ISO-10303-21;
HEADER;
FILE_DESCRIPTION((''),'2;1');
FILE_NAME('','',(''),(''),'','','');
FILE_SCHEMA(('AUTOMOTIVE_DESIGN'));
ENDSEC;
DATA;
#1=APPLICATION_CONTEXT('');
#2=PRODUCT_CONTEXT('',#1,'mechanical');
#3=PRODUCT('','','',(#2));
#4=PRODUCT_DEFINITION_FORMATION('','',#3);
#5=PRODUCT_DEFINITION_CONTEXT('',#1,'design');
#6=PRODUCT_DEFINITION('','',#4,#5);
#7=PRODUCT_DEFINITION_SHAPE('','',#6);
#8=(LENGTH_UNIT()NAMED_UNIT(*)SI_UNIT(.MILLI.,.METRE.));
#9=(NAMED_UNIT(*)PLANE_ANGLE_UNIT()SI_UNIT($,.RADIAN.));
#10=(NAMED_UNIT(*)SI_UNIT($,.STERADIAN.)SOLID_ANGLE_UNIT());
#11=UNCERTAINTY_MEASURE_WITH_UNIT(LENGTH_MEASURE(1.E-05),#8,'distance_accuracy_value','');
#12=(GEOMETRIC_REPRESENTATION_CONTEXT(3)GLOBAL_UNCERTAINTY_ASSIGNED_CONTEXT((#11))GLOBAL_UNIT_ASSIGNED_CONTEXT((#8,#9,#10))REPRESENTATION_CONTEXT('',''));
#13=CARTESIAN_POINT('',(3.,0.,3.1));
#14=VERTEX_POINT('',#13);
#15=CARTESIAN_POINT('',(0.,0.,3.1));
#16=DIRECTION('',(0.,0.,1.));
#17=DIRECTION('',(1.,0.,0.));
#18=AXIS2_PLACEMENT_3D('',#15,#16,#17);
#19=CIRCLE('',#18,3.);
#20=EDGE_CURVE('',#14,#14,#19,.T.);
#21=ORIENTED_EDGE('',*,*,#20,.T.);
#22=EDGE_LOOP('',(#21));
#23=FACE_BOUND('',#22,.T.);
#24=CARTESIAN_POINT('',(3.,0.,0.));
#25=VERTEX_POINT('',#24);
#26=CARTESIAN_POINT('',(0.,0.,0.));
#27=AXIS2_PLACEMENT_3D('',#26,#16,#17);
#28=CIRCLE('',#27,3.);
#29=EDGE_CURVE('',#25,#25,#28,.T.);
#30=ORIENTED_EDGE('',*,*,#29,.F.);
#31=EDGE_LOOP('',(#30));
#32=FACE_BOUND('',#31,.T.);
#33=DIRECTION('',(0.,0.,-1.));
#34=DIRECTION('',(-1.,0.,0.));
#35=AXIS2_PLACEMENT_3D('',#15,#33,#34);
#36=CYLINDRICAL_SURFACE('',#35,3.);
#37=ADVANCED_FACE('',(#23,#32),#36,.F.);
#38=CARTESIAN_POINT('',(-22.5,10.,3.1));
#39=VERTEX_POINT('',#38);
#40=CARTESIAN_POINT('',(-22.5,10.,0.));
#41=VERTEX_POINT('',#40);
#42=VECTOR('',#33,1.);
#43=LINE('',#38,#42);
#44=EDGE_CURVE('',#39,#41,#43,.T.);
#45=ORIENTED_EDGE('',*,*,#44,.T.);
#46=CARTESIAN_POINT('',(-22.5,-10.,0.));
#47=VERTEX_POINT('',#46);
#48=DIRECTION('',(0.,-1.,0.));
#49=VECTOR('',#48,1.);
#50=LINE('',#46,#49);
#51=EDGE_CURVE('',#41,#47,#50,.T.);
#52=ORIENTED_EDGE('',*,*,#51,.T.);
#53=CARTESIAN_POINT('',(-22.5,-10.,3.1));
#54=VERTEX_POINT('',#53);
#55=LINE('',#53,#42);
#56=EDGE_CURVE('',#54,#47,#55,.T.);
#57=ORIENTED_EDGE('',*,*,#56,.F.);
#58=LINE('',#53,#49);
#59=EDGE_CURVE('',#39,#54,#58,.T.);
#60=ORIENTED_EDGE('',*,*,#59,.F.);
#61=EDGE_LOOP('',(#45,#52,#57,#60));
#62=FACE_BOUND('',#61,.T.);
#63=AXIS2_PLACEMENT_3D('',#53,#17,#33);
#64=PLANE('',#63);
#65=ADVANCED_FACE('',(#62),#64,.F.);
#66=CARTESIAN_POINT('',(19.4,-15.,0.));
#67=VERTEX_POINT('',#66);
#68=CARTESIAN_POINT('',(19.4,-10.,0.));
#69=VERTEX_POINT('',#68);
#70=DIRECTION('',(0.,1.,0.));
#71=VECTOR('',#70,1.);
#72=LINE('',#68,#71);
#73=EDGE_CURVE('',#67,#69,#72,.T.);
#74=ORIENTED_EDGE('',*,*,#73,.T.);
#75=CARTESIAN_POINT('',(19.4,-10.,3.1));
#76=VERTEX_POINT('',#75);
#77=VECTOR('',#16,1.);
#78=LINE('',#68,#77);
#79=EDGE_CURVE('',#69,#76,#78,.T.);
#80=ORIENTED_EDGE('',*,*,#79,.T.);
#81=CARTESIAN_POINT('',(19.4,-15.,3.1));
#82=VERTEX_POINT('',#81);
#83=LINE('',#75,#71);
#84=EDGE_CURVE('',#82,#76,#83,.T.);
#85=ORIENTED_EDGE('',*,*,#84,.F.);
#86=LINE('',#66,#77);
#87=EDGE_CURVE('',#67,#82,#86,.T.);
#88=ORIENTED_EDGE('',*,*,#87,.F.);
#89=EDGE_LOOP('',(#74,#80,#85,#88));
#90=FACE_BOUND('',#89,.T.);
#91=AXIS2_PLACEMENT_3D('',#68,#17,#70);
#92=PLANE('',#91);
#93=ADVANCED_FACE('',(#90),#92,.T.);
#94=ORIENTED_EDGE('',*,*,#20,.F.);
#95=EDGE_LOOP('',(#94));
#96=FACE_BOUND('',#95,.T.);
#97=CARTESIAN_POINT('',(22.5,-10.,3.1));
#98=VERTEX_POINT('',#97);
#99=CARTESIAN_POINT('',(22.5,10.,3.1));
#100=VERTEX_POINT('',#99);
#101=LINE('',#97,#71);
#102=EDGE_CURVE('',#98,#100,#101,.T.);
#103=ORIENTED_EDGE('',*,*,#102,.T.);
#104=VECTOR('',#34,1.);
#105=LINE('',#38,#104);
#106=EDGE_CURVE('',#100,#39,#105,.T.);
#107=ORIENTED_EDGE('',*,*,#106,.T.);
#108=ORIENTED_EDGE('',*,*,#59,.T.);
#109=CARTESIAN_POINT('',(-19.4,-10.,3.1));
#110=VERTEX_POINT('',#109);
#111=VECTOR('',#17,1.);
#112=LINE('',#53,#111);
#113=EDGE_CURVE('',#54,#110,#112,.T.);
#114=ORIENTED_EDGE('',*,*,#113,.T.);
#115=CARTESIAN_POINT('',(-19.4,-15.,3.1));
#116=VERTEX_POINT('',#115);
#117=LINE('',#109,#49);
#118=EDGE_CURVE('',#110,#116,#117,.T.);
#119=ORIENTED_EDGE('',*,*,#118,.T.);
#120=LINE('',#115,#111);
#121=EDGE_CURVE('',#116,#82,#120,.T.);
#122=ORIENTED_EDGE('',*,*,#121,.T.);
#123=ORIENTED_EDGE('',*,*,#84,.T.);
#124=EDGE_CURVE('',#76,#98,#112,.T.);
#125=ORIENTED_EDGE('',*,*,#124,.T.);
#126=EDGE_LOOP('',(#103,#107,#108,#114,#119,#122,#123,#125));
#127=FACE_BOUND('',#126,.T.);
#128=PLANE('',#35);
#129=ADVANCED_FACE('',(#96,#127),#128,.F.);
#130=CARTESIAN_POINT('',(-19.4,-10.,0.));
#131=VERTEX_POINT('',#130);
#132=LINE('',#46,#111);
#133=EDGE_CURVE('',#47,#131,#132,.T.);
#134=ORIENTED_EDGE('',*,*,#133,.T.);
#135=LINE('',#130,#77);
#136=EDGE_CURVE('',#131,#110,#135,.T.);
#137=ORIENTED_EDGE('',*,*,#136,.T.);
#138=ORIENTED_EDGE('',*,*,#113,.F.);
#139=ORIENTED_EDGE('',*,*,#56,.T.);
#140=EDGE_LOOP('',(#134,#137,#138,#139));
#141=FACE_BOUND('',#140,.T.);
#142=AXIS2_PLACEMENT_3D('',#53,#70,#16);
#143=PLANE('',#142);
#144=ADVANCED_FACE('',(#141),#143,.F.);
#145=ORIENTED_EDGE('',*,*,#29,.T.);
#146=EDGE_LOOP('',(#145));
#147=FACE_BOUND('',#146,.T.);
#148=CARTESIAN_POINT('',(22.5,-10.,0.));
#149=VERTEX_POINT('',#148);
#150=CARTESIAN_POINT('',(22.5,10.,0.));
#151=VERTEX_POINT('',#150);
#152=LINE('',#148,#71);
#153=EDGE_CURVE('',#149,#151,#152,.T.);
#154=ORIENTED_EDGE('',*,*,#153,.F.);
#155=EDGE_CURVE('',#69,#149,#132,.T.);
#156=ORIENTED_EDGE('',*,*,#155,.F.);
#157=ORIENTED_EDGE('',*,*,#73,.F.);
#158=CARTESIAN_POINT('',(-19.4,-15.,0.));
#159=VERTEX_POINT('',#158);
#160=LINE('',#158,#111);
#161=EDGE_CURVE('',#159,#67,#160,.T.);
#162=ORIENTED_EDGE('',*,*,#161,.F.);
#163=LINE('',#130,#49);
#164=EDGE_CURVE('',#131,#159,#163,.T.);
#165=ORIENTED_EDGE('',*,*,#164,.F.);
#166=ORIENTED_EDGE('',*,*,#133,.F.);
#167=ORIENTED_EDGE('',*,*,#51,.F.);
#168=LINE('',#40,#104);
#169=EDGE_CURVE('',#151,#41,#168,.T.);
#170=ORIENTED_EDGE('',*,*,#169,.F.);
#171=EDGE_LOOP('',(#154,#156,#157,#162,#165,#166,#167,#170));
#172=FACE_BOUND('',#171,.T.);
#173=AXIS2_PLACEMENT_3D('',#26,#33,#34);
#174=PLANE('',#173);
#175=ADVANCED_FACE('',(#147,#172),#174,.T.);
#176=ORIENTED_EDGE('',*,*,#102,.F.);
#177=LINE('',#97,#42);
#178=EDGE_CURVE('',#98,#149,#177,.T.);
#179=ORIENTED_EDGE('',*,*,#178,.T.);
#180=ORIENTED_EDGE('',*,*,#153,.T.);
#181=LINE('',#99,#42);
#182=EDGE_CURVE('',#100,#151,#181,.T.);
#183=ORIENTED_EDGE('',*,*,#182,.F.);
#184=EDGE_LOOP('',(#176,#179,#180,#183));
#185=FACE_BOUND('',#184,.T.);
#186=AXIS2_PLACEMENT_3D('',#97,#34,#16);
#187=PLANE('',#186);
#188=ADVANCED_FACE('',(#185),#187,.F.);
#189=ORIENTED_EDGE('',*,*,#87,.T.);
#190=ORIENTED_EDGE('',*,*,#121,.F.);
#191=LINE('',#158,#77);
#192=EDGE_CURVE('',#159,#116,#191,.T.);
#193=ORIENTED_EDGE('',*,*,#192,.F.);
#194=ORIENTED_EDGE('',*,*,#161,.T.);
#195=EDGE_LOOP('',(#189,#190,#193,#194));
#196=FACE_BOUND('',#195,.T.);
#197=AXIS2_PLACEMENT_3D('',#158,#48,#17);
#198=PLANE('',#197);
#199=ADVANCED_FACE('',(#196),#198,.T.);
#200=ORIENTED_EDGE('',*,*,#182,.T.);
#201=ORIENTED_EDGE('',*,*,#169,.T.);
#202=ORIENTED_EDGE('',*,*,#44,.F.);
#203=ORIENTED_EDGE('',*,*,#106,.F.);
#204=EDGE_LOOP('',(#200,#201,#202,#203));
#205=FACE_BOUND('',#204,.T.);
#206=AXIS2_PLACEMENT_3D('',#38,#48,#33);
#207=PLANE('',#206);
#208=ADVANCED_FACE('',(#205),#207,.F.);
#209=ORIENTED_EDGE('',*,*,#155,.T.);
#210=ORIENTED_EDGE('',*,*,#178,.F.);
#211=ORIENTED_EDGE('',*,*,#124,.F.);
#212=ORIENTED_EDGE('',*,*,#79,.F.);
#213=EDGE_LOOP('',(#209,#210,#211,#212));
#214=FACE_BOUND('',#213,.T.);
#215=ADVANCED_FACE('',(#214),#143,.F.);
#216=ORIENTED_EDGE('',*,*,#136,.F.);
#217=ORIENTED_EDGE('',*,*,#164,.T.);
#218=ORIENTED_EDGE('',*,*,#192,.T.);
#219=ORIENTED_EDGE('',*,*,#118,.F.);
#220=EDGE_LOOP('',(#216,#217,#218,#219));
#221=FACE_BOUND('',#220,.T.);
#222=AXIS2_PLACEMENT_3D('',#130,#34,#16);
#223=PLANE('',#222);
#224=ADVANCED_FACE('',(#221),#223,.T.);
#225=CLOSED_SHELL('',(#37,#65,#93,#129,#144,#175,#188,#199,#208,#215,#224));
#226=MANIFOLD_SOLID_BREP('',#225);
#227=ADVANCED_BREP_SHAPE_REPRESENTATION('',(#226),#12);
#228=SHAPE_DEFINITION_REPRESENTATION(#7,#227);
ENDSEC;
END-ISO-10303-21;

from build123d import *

# Parameters (mm, degrees)
SKETCH1_W           = 45
SKETCH1_H           = 20
SKETCH1_R           = 3
BOSS_EXTRUDE1_DEPTH = 3.1
SKETCH2_W           = 38.8
SKETCH2_H           = 5
BOSS_EXTRUDE2_DEPTH = 3.1


with BuildPart() as part:
    # Sketch1 → Boss-Extrude1 (new body)
    with BuildSketch(Plane.XY):
        Rectangle(SKETCH1_W, SKETCH1_H)
        Circle(SKETCH1_R, mode=Mode.SUBTRACT)
    extrude(amount=BOSS_EXTRUDE1_DEPTH)

    # Sketch2 → Boss-Extrude2 (add, through all)
    with BuildSketch(Plane.XY.offset(3.1)):
        with Locations((0, -12.5)):
            Rectangle(SKETCH2_W, SKETCH2_H)
    extrude(amount=-BOSS_EXTRUDE2_DEPTH)


solid = part.part
